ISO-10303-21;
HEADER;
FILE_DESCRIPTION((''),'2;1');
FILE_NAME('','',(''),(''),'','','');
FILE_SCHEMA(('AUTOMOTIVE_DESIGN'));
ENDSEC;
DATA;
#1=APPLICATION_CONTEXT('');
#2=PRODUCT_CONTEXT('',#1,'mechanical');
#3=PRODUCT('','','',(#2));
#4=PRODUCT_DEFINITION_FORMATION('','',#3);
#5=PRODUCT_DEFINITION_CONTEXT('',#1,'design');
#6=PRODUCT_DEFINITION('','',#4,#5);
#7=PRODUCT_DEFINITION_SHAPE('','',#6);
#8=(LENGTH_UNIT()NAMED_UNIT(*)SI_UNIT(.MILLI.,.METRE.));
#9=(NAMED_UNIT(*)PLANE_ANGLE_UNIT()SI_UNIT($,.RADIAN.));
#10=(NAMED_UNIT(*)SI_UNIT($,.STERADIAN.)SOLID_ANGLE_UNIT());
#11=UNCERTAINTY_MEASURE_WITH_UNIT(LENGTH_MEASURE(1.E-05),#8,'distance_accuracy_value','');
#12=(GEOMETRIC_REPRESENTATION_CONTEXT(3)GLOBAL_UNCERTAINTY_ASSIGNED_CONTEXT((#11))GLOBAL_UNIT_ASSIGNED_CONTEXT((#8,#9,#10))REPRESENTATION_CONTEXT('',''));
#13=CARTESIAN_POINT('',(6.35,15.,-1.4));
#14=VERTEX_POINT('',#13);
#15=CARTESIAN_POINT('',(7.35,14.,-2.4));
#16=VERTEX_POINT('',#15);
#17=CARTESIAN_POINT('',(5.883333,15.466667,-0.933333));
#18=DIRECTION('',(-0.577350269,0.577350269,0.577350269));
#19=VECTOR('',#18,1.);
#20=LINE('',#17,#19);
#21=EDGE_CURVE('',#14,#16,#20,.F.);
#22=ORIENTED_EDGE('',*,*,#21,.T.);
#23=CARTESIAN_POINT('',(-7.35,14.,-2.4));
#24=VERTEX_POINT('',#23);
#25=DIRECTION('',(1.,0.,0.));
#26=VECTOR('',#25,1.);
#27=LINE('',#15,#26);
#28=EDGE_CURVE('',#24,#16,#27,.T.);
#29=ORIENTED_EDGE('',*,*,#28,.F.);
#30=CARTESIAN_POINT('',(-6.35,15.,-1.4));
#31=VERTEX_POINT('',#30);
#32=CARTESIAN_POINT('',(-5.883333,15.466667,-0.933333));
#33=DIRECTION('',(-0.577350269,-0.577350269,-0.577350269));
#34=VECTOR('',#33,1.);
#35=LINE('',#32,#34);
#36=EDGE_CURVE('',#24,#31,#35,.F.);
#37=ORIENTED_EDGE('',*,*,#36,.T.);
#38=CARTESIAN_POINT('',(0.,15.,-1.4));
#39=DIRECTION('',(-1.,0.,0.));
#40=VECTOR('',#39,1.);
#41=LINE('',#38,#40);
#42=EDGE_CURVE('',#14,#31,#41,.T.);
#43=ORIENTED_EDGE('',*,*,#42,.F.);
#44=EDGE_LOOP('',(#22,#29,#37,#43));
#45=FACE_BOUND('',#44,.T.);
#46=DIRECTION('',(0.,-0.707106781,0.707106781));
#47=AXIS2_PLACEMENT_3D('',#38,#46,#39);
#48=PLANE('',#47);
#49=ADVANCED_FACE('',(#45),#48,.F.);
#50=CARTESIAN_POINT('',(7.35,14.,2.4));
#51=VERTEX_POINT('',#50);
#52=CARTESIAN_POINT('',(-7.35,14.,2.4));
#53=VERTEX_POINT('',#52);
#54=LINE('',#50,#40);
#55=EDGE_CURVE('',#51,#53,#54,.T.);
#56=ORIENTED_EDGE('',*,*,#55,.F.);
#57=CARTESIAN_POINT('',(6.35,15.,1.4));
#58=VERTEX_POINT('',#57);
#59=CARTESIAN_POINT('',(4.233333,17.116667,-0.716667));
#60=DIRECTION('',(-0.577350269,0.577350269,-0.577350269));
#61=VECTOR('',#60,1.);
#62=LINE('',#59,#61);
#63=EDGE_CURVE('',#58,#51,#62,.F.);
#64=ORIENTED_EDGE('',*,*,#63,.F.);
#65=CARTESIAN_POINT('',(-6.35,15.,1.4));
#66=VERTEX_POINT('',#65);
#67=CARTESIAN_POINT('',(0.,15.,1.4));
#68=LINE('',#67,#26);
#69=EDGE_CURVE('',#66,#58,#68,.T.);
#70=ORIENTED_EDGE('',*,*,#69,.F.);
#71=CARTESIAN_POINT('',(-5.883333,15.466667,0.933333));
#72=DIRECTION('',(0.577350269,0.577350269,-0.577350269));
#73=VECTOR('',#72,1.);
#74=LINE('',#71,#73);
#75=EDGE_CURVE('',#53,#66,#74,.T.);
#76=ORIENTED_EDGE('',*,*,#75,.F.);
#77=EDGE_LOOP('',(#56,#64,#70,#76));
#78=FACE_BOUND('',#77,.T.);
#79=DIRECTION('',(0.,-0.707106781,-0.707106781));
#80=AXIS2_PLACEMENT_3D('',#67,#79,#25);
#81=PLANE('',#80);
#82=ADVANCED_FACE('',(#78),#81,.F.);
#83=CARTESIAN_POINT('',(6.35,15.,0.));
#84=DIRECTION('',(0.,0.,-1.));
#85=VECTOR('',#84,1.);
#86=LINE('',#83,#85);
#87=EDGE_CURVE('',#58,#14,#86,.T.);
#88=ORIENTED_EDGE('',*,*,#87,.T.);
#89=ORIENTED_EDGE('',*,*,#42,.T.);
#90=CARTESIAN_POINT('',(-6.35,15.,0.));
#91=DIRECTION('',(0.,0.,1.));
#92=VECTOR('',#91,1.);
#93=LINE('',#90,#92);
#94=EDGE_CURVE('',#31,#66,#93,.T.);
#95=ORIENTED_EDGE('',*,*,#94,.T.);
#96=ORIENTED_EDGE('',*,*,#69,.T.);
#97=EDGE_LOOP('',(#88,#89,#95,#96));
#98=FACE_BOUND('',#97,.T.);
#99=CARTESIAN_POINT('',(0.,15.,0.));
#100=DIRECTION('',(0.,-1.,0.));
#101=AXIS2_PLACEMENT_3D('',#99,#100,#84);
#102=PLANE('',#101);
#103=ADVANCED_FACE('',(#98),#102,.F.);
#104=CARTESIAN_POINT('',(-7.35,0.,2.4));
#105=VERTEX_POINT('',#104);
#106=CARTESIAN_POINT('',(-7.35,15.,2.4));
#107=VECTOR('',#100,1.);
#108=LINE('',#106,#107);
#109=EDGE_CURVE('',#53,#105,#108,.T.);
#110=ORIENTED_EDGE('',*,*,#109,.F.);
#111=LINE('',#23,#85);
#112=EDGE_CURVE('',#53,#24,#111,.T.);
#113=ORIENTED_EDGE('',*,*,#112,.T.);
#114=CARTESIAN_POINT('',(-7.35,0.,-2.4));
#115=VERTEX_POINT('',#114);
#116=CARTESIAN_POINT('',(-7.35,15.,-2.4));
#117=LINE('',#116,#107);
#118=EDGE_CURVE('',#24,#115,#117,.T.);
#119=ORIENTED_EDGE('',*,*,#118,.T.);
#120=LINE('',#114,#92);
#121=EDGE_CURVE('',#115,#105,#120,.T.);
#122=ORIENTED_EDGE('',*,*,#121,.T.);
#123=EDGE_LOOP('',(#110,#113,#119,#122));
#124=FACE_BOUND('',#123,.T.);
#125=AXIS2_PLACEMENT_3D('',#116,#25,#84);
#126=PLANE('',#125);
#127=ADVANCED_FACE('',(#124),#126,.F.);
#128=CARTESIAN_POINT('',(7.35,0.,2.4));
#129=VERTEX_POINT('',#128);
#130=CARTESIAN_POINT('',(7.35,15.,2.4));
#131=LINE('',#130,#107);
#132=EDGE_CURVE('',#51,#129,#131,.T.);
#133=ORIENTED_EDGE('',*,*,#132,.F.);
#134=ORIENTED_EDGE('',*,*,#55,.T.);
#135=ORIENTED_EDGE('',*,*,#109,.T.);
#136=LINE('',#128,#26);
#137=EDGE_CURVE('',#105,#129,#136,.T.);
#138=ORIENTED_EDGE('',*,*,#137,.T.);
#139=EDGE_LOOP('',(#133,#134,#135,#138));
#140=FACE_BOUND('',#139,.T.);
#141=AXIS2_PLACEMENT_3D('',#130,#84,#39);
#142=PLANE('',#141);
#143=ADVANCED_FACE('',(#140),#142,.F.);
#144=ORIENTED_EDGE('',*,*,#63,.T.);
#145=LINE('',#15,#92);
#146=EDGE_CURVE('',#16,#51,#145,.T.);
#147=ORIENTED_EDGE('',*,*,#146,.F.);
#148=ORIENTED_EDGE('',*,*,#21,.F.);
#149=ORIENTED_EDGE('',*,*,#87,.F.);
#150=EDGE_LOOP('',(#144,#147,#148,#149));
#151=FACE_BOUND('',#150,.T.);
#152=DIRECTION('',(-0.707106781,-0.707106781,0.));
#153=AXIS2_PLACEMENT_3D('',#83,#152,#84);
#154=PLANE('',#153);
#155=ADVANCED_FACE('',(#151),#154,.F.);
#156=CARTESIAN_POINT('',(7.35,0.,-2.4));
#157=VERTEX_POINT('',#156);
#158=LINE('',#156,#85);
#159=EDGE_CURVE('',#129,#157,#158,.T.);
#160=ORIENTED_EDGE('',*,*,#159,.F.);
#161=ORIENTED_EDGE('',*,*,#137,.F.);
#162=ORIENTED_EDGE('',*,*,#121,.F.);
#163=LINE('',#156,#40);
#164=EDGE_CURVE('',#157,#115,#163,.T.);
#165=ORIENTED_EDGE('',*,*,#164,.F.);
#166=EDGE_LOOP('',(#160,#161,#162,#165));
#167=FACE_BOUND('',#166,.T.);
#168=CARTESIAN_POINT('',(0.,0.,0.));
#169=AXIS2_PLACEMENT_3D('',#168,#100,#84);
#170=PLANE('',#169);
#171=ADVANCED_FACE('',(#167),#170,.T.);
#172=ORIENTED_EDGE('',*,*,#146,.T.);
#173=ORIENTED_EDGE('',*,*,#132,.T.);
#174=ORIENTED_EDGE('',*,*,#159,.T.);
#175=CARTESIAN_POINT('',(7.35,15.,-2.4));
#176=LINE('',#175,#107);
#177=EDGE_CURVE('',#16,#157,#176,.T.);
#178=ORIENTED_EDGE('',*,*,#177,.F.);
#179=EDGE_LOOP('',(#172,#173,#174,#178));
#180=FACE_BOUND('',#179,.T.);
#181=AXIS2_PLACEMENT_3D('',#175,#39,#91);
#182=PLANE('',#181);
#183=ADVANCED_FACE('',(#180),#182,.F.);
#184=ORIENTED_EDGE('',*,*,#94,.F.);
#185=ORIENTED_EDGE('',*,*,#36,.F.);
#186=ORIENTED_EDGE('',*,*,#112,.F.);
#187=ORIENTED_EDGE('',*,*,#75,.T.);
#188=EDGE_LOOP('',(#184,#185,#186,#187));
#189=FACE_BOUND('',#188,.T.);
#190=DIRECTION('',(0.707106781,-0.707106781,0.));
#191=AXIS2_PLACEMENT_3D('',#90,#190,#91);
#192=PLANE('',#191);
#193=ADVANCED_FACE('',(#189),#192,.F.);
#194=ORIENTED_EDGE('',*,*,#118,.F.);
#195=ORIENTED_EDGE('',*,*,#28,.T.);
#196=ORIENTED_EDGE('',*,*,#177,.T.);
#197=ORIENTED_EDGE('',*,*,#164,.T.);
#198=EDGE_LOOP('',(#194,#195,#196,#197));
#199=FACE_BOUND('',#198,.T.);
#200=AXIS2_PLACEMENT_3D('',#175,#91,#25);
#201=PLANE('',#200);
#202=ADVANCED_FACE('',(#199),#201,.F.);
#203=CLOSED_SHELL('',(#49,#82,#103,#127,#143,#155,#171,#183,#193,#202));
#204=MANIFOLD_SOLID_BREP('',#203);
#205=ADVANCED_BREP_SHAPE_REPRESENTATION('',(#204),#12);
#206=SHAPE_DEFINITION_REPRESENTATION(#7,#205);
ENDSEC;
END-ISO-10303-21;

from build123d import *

# Parameters (mm, degrees)
SKETCH1_W           = 14.7
SKETCH1_H           = 4.8
BOSS_EXTRUDE1_DEPTH = 15
CHAMFER1_SIZE       = 1


with BuildPart() as part:
    # Sketch1 → Boss-Extrude1 (new body)
    with BuildSketch(Plane(origin=(0, 0, 0), x_dir=(1, 0, 0), z_dir=(0, 1, 0))):
        Rectangle(SKETCH1_W, SKETCH1_H)
    extrude(amount=BOSS_EXTRUDE1_DEPTH)

    # Chamfer1
    chamfer1_edges = [part.edges().sort_by_distance(p)[0] for p in [
        (7.35, 15, 0),
        (0, 15, -2.4),
        (-7.35, 15, 0),
        (0, 15, 2.4),
    ]]
    chamfer(chamfer1_edges, length=CHAMFER1_SIZE)


solid = part.part
